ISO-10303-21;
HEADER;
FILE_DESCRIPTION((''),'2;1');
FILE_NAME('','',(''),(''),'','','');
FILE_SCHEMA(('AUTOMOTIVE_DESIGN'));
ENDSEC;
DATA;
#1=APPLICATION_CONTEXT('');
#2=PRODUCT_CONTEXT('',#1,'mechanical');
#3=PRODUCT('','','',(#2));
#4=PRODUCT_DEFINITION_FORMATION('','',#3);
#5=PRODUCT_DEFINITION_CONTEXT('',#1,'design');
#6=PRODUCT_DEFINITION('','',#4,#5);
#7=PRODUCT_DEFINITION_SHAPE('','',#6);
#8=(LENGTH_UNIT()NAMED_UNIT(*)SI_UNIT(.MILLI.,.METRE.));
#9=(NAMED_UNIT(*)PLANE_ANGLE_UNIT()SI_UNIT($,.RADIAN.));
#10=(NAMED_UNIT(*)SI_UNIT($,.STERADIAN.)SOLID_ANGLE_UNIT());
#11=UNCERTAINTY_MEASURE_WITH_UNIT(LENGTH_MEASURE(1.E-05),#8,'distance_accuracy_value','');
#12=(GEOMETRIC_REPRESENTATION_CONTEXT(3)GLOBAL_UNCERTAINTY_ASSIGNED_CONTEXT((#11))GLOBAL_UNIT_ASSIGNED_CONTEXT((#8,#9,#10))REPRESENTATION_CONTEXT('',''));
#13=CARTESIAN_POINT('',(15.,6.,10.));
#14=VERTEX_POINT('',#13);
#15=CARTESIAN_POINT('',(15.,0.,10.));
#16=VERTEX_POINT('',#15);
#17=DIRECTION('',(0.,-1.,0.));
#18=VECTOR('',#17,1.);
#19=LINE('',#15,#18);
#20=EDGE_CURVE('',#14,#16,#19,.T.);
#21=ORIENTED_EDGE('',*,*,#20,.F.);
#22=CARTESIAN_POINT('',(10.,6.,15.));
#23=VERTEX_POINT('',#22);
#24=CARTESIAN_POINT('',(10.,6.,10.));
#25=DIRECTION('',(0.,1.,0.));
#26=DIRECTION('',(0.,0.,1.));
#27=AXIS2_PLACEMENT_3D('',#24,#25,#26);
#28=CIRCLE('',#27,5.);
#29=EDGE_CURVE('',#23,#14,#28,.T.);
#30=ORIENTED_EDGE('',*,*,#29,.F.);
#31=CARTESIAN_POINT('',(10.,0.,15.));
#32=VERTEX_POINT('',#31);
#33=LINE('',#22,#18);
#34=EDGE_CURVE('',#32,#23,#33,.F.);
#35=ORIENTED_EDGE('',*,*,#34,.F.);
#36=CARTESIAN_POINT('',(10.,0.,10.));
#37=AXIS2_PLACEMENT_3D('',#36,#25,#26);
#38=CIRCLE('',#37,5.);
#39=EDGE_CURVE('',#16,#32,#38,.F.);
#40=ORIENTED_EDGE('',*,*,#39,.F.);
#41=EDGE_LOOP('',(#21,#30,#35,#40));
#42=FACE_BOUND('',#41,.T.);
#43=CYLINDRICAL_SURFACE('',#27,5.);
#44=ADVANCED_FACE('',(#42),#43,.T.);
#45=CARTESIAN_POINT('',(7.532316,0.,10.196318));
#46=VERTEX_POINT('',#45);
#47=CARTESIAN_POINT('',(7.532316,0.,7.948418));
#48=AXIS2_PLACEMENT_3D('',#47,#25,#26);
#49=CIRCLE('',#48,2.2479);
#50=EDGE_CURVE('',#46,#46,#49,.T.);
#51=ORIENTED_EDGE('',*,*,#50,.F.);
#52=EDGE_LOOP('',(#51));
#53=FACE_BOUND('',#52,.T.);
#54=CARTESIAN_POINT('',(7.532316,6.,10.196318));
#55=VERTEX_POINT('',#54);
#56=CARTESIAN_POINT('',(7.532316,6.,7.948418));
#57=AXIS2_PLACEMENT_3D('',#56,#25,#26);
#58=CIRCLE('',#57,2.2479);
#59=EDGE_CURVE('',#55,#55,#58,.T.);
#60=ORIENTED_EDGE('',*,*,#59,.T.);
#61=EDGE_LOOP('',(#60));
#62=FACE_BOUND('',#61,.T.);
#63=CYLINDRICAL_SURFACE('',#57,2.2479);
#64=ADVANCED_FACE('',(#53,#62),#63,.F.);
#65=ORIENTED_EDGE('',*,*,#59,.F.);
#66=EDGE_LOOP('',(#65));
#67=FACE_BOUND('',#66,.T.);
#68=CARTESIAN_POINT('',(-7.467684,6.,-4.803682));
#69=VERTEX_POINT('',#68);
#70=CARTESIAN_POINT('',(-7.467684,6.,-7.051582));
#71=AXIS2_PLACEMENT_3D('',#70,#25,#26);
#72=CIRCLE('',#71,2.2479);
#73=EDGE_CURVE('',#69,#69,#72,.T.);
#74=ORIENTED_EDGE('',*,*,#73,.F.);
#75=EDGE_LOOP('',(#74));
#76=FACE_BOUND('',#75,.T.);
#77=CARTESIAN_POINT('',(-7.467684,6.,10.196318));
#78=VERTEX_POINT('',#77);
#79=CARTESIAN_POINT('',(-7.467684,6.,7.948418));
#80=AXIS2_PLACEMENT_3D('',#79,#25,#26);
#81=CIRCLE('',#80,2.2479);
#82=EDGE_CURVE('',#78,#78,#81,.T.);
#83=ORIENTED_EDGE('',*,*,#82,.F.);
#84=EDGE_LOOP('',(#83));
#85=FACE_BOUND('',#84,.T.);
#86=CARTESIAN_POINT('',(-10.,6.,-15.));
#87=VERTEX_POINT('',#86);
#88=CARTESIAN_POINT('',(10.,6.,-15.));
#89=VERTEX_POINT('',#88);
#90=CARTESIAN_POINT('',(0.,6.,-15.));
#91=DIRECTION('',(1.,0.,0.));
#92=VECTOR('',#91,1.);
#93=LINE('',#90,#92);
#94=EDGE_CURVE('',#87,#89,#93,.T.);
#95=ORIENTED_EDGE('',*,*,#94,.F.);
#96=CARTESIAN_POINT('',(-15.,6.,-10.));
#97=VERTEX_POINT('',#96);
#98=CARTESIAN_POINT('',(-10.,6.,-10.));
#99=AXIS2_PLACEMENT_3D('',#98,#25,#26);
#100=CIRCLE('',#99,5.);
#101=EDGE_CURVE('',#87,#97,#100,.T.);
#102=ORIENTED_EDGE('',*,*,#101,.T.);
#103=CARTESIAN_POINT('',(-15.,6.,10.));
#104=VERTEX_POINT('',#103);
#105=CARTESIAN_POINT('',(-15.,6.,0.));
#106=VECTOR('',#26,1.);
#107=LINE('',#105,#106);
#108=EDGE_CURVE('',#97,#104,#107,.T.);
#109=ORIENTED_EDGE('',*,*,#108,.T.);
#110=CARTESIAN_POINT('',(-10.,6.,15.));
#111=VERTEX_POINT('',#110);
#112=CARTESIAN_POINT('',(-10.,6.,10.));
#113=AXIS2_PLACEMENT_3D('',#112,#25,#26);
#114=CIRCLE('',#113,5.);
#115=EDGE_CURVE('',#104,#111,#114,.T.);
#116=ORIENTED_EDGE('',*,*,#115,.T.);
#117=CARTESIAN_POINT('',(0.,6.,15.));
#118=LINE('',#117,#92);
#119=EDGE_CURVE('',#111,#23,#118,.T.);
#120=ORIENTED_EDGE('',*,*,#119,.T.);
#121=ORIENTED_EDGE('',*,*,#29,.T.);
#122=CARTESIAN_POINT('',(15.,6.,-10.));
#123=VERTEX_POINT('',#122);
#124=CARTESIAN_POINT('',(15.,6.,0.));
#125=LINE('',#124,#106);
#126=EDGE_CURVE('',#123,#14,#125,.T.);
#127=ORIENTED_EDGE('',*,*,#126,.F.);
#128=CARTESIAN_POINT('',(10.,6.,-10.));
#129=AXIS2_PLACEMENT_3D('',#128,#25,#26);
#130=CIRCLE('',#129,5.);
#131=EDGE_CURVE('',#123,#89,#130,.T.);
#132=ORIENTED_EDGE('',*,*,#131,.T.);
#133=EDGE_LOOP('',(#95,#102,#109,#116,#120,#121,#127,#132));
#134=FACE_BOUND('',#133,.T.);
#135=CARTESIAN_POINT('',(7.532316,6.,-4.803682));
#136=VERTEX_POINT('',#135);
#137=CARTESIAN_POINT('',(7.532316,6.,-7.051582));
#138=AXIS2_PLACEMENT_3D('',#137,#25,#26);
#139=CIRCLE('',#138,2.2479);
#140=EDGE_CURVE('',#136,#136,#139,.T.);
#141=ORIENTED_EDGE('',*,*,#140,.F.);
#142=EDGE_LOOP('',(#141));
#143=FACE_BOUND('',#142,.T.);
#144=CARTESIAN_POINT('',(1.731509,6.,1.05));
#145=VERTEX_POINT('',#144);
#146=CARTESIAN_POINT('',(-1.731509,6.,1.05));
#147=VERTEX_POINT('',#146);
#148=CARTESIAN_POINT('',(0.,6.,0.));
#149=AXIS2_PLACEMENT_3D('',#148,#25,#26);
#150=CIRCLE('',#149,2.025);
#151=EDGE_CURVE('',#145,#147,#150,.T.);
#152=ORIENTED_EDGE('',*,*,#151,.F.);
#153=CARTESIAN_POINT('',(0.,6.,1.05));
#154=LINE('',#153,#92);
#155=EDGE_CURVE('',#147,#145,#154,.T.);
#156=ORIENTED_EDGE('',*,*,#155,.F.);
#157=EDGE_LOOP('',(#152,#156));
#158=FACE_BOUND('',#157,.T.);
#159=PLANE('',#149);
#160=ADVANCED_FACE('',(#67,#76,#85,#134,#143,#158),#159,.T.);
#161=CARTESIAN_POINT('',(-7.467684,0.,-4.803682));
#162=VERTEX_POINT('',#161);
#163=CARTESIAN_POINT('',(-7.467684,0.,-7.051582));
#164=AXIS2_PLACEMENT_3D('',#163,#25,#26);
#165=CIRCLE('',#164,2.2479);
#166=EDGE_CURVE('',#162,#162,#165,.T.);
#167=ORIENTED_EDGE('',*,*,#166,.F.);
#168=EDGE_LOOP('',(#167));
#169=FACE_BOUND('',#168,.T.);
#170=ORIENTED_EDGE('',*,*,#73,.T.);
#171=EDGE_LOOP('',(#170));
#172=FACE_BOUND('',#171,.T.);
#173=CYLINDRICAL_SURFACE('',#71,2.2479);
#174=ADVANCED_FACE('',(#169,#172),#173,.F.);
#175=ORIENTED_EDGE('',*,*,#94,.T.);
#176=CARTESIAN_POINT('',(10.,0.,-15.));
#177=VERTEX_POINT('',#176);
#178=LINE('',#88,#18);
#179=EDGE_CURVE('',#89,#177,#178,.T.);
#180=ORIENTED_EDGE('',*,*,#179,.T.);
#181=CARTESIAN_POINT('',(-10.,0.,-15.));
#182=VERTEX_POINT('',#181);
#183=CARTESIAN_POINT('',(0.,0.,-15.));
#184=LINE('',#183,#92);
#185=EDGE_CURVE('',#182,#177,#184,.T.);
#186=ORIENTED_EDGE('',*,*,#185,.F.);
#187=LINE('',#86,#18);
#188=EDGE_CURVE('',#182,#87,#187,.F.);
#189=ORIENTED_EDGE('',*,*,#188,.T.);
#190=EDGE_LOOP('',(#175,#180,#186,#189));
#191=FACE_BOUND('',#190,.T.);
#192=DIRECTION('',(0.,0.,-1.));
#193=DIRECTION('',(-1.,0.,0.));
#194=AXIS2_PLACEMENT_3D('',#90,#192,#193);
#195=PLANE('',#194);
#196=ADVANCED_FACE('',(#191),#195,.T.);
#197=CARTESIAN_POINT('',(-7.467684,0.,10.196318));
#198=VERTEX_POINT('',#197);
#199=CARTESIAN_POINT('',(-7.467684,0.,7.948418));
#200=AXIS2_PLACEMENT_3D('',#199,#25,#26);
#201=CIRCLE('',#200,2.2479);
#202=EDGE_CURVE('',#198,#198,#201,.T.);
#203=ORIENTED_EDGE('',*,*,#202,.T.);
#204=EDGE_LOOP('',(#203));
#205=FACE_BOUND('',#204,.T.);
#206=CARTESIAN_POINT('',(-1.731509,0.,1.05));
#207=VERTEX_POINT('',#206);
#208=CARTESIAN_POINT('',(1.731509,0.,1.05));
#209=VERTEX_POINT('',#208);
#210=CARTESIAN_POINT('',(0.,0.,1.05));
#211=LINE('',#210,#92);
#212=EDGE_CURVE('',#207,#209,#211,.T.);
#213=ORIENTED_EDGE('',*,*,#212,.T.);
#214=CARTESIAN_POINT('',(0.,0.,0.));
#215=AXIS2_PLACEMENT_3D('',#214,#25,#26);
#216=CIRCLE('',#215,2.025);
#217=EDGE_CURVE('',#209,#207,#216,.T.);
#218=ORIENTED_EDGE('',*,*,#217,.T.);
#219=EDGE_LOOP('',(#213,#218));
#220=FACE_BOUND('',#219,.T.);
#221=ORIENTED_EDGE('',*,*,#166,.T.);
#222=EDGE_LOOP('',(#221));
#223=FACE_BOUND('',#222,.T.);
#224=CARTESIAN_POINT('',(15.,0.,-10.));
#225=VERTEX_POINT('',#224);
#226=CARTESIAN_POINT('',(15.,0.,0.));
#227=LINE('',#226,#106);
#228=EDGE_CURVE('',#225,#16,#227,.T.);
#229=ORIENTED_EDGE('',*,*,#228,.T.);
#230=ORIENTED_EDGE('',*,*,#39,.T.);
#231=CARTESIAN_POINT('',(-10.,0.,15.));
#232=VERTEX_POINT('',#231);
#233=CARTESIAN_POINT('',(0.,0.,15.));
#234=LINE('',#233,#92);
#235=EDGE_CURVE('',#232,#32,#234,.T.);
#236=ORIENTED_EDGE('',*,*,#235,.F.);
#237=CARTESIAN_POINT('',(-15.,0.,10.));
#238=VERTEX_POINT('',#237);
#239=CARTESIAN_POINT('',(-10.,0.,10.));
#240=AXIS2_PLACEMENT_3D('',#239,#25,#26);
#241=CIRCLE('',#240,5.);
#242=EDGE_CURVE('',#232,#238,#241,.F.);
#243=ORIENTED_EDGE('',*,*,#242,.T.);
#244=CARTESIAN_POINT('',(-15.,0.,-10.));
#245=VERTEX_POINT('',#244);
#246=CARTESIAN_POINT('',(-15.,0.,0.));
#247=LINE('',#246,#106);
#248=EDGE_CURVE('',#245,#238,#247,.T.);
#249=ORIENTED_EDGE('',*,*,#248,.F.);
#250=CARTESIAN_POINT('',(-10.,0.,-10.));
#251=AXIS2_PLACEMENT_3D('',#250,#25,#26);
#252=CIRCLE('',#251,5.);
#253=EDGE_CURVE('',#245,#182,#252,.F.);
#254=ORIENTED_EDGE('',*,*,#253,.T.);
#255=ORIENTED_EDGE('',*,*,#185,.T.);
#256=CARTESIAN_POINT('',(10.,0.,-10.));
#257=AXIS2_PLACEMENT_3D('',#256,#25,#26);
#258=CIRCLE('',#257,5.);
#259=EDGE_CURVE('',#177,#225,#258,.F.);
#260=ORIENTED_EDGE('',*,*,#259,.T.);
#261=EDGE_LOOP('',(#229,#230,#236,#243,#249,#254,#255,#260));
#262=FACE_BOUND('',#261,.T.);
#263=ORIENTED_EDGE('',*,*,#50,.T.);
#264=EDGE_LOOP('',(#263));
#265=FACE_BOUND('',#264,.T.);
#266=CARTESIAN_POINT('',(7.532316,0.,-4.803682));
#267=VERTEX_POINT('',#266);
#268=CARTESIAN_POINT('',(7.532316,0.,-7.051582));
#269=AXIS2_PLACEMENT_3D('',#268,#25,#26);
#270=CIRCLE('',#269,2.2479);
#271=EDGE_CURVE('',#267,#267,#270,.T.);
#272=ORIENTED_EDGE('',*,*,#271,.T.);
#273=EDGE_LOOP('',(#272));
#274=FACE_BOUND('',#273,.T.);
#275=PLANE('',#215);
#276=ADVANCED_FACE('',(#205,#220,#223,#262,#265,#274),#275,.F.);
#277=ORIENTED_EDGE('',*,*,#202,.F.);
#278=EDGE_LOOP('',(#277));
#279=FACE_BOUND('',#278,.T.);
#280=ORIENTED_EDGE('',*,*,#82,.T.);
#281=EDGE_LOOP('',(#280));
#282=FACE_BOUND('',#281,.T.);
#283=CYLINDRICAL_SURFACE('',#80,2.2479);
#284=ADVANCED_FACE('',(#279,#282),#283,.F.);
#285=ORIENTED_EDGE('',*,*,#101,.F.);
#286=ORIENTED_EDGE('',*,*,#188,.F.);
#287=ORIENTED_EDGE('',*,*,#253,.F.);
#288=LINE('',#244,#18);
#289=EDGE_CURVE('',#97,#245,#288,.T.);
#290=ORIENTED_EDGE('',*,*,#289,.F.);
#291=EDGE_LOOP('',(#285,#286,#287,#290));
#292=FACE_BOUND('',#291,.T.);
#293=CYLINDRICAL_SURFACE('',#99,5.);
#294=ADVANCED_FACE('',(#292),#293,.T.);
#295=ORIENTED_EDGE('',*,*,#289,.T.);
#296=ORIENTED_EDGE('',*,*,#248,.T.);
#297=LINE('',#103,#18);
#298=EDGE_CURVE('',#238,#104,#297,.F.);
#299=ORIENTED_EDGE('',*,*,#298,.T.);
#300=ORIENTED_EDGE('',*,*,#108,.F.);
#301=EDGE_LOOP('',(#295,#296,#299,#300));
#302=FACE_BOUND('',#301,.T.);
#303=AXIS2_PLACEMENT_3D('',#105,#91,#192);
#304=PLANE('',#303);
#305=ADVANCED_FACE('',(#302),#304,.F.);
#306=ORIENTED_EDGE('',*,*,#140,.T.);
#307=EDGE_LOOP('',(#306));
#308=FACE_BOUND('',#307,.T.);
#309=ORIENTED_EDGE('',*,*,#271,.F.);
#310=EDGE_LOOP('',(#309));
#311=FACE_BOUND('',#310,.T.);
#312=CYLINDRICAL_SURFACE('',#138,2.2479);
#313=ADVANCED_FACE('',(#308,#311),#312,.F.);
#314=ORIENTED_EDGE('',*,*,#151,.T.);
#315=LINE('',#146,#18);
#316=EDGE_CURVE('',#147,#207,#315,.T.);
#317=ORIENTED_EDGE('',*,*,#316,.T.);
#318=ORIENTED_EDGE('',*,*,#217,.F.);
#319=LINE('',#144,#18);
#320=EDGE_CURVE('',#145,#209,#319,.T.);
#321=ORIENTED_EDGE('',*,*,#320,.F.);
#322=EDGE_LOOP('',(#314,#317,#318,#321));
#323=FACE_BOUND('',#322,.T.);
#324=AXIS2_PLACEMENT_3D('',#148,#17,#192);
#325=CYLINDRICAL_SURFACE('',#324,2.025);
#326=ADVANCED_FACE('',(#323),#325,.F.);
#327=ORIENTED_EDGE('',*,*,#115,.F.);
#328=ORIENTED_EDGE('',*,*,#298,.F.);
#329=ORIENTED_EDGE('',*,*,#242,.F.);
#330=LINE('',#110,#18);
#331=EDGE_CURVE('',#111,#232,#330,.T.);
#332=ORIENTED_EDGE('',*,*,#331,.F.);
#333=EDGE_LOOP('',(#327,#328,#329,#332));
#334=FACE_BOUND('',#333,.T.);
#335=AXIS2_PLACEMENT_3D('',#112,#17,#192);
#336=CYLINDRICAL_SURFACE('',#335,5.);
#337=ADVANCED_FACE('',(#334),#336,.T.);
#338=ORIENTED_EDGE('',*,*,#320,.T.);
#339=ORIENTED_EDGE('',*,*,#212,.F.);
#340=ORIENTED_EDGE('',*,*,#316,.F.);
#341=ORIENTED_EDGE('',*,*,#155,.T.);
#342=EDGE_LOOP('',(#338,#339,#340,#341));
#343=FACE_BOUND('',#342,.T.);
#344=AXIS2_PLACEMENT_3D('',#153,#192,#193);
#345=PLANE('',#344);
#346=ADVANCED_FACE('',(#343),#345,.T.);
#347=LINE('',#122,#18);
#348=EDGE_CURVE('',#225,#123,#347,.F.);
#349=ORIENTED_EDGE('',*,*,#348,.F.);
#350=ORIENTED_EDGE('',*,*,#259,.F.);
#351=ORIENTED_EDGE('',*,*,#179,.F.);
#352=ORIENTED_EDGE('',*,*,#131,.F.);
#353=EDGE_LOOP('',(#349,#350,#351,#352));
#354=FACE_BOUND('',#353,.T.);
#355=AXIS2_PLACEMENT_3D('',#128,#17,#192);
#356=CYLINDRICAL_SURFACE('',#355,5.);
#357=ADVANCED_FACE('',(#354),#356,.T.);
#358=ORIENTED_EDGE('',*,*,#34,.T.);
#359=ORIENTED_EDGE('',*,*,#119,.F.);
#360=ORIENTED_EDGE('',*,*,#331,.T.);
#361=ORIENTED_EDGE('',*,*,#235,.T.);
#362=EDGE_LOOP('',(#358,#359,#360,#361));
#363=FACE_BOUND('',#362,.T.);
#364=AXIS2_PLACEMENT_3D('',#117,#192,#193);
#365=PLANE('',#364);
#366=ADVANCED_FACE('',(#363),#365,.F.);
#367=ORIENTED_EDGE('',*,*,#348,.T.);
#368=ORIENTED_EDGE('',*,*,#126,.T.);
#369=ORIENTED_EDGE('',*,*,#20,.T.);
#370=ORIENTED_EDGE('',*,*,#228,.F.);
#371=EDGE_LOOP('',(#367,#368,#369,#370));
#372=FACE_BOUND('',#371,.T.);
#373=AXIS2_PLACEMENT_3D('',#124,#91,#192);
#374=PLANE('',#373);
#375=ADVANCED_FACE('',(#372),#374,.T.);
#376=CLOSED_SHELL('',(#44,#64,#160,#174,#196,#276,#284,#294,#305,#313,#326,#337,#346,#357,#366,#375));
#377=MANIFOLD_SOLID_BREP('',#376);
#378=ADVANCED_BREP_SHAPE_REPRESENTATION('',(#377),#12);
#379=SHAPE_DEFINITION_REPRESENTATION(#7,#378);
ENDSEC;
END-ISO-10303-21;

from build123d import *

# Parameters (mm, degrees)
SKETCH1_W             = 30
SKETCH1_H             = 30
BOSS_EXTRUDE1_DEPTH   = 6
FILLET1_R             = 5
F_8_CLEARANCE_HOLE1_D = 4.4958


with BuildPart() as part:
    # Sketch1 → Boss-Extrude1 (new body)
    with BuildSketch(Plane(origin=(0, 0, 0), x_dir=(1, 0, 0), z_dir=(0, 1, 0))):
        Rectangle(SKETCH1_W, SKETCH1_H)
        with BuildLine():
            Line((1.731509457, -1.05), (-1.731509457, -1.05))
            ThreePointArc((-1.731509457, -1.05), (0, 2.025), (1.731509457, -1.05))
        make_face(mode=Mode.SUBTRACT)
    extrude(amount=BOSS_EXTRUDE1_DEPTH)

    # Fillet1
    fillet1_edges = [part.edges().sort_by_distance(p)[0] for p in [
        (15, 3, 15),
        (-15, 3, 15),
        (-15, 3, -15),
        (15, 3, -15),
    ]]
    fillet(fillet1_edges, radius=FILLET1_R)

    # #8 Clearance Hole1 (through all)
    with Locations(Plane(origin=(0, 6, 0), x_dir=(1, 0, 0), z_dir=(0, 1, 0))):
        with Locations((-7.467684416, 7.05158171), (7.532315584, 7.05158171), (-7.467684416, -7.94841829), (7.532315584, -7.94841829)):
            Hole(F_8_CLEARANCE_HOLE1_D / 2)


solid = part.part
